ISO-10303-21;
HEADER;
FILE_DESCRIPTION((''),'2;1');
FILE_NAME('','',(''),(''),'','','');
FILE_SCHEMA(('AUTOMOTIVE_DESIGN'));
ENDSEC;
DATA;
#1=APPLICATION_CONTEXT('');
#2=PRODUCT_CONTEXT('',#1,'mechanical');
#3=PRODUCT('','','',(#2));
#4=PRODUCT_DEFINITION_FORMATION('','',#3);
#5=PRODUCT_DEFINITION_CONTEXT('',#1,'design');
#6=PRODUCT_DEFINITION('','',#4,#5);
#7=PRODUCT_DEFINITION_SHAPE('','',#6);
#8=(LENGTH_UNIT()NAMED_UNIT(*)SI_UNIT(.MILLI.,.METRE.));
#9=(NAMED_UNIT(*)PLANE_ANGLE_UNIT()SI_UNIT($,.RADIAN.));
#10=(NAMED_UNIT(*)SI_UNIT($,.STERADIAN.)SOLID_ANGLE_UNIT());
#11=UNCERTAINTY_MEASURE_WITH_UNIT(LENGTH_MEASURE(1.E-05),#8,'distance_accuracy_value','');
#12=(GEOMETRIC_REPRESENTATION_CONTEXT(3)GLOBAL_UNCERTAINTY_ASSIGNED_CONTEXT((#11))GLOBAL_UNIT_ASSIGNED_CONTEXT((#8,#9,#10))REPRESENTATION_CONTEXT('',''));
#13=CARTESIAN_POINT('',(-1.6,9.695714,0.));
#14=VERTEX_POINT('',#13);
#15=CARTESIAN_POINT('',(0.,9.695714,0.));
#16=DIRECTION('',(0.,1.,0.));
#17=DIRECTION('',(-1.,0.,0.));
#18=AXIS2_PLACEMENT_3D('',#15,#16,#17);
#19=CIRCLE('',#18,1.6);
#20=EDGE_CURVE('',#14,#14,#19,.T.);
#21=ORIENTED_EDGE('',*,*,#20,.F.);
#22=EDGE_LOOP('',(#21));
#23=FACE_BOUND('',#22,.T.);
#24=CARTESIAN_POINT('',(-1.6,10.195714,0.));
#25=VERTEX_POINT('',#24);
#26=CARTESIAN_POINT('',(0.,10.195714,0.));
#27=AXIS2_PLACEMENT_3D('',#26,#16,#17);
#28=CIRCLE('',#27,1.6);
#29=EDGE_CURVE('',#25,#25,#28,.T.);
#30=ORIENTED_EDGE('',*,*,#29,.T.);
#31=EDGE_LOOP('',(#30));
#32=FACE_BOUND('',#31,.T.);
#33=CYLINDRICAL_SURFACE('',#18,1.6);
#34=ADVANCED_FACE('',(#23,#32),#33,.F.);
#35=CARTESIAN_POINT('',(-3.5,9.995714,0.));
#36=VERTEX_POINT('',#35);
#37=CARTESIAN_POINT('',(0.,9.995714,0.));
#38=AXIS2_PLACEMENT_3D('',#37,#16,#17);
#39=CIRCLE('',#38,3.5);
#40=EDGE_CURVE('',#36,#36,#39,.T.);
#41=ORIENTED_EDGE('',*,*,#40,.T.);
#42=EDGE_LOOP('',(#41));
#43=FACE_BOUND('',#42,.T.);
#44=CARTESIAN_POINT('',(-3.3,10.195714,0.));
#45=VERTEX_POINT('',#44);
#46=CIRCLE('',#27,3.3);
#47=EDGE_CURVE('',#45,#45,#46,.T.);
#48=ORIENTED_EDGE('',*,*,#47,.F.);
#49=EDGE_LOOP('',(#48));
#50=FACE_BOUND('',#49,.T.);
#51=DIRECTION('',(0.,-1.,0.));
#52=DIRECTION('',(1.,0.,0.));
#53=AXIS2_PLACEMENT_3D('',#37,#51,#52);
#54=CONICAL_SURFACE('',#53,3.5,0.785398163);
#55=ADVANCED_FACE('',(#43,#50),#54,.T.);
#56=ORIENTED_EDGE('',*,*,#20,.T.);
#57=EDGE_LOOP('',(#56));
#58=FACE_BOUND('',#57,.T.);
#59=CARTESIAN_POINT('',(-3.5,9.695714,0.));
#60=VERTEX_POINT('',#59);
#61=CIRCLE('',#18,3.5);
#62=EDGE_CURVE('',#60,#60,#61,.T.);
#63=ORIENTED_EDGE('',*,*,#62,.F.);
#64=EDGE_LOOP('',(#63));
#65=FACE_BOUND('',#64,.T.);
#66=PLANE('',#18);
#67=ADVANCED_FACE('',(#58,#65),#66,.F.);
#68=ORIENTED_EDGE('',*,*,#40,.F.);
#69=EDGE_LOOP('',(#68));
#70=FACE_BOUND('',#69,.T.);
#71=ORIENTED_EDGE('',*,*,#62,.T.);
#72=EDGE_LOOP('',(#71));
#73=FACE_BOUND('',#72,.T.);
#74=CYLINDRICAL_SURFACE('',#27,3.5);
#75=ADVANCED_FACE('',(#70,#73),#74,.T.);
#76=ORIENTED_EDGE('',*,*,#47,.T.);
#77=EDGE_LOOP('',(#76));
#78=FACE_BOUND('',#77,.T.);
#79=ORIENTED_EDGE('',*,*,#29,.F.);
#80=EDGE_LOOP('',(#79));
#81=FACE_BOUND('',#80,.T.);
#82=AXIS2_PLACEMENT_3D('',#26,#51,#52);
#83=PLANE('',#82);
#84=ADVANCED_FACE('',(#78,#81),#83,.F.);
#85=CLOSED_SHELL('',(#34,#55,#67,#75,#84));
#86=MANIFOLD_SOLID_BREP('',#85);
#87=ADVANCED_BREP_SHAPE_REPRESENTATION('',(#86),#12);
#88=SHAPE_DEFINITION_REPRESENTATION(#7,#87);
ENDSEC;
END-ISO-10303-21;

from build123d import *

# Parameters (mm, degrees)
CROQUIS3_R            = 1.6
CORTAR_EXTRUIR1_DEPTH = 5.974937186


with BuildPart() as part:
    # Croquis2 → Revolución1 (revolve)
    with BuildSketch(Plane.XY):
        Polygon((-3.5, 9.995713703), (-3.3, 10.195713703), (0, 10.195713703), (0, 9.695713703), (-3.5, 9.695713703), align=None)
    revolve(axis=Axis((0, 10.195713703, 0), (0, -1, 0)))

    # Croquis3 → Cortar-Extruir1 (cut, through all)
    with BuildSketch(Plane(origin=(0, 10.195713703, 0), x_dir=(1, 0, 0), z_dir=(0, 1, 0))):
        with Locations(Location((0, 0, 0), (0, 0, 180))):
            Circle(CROQUIS3_R)
    extrude(amount=-CORTAR_EXTRUIR1_DEPTH, mode=Mode.SUBTRACT)


solid = part.part
